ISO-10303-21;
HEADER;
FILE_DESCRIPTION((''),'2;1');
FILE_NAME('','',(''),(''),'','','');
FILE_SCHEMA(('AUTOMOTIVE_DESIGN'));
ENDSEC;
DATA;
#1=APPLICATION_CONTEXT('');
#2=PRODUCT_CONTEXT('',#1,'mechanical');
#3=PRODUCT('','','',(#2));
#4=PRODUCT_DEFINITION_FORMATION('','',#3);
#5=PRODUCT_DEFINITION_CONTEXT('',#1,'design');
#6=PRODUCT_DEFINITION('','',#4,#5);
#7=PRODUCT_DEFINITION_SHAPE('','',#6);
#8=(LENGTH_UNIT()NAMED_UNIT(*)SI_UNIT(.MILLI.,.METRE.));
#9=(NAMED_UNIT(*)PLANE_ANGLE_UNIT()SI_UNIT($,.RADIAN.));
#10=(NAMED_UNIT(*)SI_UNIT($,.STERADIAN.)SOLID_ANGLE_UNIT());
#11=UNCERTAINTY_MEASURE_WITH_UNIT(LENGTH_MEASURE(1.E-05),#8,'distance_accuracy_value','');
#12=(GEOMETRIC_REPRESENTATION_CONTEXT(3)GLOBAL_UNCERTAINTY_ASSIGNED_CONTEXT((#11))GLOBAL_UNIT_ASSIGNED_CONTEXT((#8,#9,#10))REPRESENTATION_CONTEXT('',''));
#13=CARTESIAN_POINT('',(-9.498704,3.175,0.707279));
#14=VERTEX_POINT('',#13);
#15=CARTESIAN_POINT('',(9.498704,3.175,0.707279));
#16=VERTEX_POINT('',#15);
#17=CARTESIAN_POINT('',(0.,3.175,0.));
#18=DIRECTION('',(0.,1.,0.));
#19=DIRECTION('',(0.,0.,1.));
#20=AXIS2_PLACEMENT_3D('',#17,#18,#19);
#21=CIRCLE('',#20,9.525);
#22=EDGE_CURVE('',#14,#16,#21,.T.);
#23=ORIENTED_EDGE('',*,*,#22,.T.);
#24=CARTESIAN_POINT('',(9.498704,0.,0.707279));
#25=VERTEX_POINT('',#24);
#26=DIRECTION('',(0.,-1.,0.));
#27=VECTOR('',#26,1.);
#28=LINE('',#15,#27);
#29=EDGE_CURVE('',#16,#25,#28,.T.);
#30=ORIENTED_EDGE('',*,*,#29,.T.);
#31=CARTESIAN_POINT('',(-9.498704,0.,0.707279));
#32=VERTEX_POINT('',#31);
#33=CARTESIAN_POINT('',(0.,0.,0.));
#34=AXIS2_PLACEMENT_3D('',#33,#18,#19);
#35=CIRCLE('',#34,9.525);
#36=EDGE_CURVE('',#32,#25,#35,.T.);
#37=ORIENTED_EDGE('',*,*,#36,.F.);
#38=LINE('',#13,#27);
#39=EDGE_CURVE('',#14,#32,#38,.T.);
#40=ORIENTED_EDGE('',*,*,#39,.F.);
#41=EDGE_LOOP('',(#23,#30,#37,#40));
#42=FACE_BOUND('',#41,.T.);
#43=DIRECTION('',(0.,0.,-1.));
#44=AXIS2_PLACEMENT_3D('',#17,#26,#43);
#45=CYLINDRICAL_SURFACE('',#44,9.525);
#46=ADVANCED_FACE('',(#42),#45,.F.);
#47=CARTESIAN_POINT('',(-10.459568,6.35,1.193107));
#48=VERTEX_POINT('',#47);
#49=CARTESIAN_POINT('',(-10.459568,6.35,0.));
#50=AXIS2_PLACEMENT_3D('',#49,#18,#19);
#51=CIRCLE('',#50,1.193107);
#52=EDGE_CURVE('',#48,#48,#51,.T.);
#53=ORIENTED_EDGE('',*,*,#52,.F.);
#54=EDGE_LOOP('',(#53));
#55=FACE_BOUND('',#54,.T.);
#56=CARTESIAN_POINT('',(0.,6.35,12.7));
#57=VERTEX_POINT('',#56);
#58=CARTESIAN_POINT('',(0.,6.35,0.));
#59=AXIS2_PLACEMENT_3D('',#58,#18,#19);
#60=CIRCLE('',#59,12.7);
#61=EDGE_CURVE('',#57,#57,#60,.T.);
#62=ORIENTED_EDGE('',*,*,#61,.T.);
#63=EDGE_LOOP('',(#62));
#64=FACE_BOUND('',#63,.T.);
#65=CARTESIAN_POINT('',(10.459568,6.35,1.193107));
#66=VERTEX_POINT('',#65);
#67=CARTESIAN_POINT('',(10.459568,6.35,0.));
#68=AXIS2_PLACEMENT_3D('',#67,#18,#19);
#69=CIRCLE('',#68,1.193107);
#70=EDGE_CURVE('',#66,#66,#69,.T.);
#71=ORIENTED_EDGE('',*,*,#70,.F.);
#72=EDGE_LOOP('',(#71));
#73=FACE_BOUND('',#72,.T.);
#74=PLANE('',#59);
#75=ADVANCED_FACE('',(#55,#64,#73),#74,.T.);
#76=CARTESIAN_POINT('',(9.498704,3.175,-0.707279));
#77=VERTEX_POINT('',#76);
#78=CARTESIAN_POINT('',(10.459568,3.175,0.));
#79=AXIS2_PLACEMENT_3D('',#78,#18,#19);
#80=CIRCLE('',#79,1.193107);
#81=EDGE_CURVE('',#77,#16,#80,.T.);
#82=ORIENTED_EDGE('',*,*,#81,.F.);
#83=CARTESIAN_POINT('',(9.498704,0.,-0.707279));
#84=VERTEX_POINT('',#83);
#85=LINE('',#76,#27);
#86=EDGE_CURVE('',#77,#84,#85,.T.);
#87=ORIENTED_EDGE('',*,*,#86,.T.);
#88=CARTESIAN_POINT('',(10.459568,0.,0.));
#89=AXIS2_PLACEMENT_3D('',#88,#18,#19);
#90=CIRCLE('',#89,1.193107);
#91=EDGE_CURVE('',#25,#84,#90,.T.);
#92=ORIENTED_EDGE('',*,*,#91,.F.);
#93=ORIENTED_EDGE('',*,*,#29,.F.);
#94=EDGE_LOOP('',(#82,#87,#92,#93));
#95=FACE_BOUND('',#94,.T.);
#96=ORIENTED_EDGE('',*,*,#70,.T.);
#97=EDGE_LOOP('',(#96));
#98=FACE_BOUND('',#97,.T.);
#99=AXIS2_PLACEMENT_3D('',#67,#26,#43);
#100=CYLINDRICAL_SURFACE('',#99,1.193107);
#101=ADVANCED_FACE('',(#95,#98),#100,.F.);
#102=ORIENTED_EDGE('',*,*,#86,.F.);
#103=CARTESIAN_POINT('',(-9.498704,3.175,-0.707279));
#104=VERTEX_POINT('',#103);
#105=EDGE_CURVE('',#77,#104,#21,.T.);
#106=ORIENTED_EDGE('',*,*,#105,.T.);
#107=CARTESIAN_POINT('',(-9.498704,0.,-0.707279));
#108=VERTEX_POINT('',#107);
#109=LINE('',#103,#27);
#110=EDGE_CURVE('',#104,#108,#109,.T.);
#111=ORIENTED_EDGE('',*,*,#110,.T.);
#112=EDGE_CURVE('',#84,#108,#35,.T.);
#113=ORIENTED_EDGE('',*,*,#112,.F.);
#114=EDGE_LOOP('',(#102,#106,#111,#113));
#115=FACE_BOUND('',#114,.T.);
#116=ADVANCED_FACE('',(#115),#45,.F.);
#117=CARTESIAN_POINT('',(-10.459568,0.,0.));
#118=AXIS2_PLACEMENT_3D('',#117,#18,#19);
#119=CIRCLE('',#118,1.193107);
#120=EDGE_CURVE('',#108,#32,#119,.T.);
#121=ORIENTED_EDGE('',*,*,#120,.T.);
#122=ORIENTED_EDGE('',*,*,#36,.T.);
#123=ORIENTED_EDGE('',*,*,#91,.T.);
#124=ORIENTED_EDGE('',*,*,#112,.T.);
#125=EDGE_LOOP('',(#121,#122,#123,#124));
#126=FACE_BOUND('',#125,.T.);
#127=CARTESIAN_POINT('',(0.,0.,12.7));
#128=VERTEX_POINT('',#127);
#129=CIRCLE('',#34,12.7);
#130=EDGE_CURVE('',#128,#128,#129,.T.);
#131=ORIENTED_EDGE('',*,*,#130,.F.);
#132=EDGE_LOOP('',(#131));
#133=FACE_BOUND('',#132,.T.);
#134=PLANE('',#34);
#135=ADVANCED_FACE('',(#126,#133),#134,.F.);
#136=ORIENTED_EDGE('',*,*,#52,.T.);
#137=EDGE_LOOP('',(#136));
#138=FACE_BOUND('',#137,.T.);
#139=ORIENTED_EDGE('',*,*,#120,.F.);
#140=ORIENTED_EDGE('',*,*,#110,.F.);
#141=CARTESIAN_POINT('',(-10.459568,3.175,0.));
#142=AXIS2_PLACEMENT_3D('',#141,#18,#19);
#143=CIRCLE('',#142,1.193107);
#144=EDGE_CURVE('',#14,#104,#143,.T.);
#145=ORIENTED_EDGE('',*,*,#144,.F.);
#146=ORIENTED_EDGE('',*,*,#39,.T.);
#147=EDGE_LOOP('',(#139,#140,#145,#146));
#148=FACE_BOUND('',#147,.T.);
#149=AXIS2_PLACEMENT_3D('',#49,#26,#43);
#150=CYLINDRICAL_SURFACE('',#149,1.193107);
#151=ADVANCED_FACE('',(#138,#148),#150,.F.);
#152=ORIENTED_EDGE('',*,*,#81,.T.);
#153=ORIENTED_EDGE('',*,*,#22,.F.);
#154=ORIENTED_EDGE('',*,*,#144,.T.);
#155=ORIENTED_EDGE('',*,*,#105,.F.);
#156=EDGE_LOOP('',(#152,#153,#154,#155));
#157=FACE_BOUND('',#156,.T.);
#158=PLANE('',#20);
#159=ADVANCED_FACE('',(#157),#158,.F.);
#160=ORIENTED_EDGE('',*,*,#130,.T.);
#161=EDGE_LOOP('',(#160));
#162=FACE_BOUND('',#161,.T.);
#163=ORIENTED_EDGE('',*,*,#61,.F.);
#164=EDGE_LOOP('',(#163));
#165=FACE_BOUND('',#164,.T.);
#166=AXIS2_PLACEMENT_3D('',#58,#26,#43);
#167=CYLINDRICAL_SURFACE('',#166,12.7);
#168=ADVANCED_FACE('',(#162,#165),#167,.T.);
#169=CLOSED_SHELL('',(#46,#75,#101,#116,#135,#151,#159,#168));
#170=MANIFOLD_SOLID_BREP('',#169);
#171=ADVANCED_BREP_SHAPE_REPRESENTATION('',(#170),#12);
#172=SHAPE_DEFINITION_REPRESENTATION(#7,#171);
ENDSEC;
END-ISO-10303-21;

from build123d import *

# Parameters (mm, degrees)
SKETCH1_R           = 12.7
BOSS_EXTRUDE1_DEPTH = 6.35
CUT_EXTRUDE1_DEPTH  = 3.175
SKETCH1_5_R         = 1.193106662
CUT_EXTRUDE2_DEPTH  = 20.05


with BuildPart() as part:
    # Sketch1 → Boss-Extrude1 (new body)
    with BuildSketch(Plane(origin=(0, 0, 0), x_dir=(1, 0, 0), z_dir=(0, 1, 0))):
        Circle(SKETCH1_R)
    extrude(amount=BOSS_EXTRUDE1_DEPTH)

    # Sketch1<3> → Cut-Extrude1 (cut)
    with BuildSketch(Plane(origin=(0, 0, 0), x_dir=(1, 0, 0), z_dir=(0, 1, 0))):
        with BuildLine():
            ThreePointArc((-9.498704201, 0.707278937), (-9.26646174, 0), (-9.498704201, -0.707278937))
            ThreePointArc((-9.498704201, -0.707278937), (0, -9.525), (9.498704201, -0.707278937))
            ThreePointArc((9.498704201, -0.707278937), (9.26646174, 0), (9.498704201, 0.707278937))
            ThreePointArc((9.498704201, 0.707278937), (0, 9.525), (-9.498704201, 0.707278937))
        make_face()
    extrude(amount=CUT_EXTRUDE1_DEPTH, mode=Mode.SUBTRACT)

    # Sketch1<5> → Cut-Extrude2 (cut, through all)
    with BuildSketch(Plane(origin=(0, 0, 0), x_dir=(1, 0, 0), z_dir=(0, 1, 0))):
        with Locations((-10.459568402, 0)):
            Circle(SKETCH1_5_R)
        with Locations((10.459568402, 0)):
            Circle(SKETCH1_5_R)
    extrude(amount=CUT_EXTRUDE2_DEPTH, mode=Mode.SUBTRACT)


solid = part.part
